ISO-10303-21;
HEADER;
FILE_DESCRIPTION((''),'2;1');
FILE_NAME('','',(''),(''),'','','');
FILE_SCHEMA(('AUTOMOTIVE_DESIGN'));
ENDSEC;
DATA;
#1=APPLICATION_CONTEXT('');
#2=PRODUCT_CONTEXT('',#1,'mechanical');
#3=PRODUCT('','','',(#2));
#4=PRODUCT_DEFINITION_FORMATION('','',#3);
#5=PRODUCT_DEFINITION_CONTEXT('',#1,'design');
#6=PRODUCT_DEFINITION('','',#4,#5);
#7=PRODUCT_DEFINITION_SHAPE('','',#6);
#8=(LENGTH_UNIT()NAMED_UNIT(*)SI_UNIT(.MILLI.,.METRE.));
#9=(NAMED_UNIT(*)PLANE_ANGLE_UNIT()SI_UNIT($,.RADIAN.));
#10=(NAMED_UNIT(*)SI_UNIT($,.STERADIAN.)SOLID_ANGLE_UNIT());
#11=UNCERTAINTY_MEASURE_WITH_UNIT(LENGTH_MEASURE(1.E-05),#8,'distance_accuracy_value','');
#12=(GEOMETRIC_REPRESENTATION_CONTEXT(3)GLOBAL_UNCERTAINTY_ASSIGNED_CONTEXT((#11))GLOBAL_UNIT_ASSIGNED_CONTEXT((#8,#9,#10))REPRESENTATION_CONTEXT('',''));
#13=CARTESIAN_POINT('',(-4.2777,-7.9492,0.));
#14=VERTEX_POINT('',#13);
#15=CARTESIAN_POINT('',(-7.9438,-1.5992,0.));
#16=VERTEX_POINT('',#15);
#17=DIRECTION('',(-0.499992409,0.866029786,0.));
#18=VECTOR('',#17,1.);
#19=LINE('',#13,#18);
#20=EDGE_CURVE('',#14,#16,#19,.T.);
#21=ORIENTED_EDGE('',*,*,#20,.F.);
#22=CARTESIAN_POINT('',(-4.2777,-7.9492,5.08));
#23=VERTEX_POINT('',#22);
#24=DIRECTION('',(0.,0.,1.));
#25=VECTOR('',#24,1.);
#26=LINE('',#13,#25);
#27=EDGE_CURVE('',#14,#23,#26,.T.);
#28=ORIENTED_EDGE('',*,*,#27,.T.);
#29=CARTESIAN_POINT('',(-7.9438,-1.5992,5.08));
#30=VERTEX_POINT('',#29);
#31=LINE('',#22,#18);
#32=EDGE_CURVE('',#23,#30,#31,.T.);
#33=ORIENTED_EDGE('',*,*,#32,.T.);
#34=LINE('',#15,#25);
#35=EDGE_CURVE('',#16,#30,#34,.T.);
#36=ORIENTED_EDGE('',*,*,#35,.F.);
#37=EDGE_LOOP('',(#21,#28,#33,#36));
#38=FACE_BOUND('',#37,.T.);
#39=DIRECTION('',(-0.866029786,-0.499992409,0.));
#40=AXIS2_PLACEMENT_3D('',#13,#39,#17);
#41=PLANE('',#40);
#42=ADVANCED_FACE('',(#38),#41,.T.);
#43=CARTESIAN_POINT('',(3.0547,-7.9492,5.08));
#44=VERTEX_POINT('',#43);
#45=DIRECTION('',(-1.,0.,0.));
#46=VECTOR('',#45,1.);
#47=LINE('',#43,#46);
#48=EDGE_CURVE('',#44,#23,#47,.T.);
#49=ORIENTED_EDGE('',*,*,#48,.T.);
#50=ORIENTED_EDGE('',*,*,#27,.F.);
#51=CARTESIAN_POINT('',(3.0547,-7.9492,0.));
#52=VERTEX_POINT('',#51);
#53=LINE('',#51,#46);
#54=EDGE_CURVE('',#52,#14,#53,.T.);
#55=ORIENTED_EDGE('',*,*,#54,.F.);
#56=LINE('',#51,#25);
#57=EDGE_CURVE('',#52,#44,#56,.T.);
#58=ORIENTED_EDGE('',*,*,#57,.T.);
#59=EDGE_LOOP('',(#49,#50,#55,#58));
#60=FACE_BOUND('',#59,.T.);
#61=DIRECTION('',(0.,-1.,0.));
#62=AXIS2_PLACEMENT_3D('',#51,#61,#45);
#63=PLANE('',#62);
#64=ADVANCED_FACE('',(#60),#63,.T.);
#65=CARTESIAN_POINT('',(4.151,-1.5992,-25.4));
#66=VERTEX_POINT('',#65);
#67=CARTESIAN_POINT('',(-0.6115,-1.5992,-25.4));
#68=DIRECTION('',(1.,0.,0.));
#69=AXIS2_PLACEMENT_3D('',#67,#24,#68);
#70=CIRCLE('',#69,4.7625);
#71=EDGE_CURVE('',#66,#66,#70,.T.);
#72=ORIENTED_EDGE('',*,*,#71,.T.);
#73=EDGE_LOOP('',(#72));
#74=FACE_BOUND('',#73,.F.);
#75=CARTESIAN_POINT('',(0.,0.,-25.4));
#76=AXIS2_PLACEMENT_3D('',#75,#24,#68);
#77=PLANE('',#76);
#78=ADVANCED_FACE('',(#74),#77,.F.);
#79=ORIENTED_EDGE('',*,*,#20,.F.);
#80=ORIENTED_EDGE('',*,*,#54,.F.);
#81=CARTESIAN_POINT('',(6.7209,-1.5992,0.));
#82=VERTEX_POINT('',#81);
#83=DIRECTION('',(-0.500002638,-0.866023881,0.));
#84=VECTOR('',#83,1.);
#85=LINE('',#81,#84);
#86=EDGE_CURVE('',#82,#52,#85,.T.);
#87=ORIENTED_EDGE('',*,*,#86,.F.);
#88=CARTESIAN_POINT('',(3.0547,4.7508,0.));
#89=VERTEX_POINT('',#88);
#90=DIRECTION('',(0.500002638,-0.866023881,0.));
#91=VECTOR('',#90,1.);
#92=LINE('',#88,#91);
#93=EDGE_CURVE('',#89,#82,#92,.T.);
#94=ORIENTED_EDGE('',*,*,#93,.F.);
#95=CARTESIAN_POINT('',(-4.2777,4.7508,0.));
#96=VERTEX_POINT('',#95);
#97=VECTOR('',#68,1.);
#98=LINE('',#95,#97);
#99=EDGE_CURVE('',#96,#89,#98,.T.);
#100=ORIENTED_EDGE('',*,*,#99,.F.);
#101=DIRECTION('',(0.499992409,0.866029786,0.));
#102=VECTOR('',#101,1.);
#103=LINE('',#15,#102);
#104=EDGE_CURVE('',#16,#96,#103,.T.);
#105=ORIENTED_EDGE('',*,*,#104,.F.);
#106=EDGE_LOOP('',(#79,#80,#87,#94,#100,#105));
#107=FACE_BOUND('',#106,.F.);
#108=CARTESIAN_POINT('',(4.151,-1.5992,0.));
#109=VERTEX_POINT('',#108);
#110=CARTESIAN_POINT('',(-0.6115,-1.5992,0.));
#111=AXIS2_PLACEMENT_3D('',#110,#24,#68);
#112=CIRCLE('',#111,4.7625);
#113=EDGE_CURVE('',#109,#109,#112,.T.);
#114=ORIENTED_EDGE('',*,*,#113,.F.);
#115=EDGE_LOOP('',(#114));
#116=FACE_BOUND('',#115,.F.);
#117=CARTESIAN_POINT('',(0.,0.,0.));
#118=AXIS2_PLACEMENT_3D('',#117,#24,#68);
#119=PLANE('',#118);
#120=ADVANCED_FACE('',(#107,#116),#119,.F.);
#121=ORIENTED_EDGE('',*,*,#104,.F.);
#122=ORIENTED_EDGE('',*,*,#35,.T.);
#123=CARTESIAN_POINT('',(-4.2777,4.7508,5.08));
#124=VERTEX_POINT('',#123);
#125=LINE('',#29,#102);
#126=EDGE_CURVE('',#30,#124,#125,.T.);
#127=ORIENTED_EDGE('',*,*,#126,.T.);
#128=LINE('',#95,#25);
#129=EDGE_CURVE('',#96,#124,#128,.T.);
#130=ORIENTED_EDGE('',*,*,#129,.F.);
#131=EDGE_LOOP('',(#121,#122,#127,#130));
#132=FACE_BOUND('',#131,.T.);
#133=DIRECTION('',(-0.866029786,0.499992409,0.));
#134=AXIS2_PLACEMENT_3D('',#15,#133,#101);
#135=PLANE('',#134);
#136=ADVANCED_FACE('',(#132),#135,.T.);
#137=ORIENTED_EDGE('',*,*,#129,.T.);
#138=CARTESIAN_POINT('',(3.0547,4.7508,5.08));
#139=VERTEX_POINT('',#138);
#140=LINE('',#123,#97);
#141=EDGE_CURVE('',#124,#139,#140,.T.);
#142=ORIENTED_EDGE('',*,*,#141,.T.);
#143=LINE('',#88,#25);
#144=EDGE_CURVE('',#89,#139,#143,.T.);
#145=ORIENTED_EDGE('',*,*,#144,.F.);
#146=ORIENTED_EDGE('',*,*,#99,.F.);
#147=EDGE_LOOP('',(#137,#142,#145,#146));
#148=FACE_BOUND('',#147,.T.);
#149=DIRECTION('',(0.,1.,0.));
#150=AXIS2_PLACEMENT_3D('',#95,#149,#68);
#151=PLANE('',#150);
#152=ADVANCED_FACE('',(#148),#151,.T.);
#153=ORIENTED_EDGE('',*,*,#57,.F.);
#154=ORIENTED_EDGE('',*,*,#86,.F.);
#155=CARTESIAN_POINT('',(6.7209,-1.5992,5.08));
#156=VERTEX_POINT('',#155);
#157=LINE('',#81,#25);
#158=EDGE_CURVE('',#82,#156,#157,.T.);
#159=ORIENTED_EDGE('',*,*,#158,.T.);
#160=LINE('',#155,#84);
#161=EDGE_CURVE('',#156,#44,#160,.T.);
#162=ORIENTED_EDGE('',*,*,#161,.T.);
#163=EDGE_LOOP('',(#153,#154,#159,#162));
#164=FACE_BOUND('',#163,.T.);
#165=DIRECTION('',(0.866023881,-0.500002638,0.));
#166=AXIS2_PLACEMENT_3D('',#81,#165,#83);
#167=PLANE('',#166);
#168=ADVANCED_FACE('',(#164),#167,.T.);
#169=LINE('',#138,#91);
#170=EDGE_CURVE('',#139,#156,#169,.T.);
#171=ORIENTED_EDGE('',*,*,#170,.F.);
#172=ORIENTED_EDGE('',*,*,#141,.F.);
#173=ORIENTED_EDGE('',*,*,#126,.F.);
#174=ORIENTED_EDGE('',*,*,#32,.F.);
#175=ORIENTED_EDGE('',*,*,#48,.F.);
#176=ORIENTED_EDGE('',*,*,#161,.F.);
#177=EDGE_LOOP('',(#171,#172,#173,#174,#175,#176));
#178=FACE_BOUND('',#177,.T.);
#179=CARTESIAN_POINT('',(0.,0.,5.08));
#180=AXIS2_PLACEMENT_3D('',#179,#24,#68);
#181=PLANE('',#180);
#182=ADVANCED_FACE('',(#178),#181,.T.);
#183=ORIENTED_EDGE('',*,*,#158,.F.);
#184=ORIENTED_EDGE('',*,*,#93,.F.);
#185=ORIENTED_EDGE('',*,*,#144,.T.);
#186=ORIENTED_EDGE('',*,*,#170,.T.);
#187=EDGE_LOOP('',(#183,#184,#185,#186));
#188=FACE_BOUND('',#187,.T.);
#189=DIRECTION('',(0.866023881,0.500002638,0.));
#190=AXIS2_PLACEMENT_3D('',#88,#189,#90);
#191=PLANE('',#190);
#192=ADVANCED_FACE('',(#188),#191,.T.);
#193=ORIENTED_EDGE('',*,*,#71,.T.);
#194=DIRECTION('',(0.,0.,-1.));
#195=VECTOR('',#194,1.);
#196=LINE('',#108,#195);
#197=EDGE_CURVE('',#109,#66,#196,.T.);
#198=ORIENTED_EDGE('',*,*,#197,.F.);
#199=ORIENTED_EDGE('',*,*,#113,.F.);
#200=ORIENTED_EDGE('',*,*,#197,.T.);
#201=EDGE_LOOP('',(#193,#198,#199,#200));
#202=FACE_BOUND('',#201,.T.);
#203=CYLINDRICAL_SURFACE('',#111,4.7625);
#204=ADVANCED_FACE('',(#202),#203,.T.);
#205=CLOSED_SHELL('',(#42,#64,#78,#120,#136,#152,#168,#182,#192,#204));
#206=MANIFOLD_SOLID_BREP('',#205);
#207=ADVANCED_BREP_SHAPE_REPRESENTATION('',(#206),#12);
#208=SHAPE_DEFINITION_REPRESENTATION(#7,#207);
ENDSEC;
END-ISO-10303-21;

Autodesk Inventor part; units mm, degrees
ref_plane "YZ Plane" through (0, 0, 0) normal (1, 0, 0) x (0, 1, 0)
ref_plane "XZ Plane" through (0, 0, 0) normal (0, 1, 0) x (-1, 0, 0)
ref_plane "XY Plane" through (0, 0, 0) normal (0, 0, 1) x (1, 0, 0)
sketch "Sketch1" plane through (0, 0, 0) normal (0, 0, 1) x (1, 0, 0)
  circle A0 centre (-0.6115, -1.5992) radius 4.7625
  line L0 (-7.9438, -1.5992) -> (-4.2777, 4.7508)
  line L1 (-4.2777, 4.7508) -> (3.0547, 4.7508)
  line L2 (3.0547, 4.7508) -> (6.7209, -1.5992)
  line L3 (6.7209, -1.5992) -> (3.0547, -7.9492)
  line L4 (3.0547, -7.9492) -> (-4.2777, -7.9492)
  line L5 (-4.2777, -7.9492) -> (-7.9438, -1.5992)
  dimension "d10" = 12.7
  dimension "d20" = 9.525
extrude "Extrusion1" add sketch "Sketch1" against normal blind 25.4 contours A0
extrude "Extrusion2" add sketch "Sketch1" along normal blind 5.08 contours A0 | L0 L1 L2 L3 L4 L5
thread "Thread2" size "3/8-16 UNC" class "2A" standard "ANSI Unified Screw Threads" full length
properties part number "HW-00043"
